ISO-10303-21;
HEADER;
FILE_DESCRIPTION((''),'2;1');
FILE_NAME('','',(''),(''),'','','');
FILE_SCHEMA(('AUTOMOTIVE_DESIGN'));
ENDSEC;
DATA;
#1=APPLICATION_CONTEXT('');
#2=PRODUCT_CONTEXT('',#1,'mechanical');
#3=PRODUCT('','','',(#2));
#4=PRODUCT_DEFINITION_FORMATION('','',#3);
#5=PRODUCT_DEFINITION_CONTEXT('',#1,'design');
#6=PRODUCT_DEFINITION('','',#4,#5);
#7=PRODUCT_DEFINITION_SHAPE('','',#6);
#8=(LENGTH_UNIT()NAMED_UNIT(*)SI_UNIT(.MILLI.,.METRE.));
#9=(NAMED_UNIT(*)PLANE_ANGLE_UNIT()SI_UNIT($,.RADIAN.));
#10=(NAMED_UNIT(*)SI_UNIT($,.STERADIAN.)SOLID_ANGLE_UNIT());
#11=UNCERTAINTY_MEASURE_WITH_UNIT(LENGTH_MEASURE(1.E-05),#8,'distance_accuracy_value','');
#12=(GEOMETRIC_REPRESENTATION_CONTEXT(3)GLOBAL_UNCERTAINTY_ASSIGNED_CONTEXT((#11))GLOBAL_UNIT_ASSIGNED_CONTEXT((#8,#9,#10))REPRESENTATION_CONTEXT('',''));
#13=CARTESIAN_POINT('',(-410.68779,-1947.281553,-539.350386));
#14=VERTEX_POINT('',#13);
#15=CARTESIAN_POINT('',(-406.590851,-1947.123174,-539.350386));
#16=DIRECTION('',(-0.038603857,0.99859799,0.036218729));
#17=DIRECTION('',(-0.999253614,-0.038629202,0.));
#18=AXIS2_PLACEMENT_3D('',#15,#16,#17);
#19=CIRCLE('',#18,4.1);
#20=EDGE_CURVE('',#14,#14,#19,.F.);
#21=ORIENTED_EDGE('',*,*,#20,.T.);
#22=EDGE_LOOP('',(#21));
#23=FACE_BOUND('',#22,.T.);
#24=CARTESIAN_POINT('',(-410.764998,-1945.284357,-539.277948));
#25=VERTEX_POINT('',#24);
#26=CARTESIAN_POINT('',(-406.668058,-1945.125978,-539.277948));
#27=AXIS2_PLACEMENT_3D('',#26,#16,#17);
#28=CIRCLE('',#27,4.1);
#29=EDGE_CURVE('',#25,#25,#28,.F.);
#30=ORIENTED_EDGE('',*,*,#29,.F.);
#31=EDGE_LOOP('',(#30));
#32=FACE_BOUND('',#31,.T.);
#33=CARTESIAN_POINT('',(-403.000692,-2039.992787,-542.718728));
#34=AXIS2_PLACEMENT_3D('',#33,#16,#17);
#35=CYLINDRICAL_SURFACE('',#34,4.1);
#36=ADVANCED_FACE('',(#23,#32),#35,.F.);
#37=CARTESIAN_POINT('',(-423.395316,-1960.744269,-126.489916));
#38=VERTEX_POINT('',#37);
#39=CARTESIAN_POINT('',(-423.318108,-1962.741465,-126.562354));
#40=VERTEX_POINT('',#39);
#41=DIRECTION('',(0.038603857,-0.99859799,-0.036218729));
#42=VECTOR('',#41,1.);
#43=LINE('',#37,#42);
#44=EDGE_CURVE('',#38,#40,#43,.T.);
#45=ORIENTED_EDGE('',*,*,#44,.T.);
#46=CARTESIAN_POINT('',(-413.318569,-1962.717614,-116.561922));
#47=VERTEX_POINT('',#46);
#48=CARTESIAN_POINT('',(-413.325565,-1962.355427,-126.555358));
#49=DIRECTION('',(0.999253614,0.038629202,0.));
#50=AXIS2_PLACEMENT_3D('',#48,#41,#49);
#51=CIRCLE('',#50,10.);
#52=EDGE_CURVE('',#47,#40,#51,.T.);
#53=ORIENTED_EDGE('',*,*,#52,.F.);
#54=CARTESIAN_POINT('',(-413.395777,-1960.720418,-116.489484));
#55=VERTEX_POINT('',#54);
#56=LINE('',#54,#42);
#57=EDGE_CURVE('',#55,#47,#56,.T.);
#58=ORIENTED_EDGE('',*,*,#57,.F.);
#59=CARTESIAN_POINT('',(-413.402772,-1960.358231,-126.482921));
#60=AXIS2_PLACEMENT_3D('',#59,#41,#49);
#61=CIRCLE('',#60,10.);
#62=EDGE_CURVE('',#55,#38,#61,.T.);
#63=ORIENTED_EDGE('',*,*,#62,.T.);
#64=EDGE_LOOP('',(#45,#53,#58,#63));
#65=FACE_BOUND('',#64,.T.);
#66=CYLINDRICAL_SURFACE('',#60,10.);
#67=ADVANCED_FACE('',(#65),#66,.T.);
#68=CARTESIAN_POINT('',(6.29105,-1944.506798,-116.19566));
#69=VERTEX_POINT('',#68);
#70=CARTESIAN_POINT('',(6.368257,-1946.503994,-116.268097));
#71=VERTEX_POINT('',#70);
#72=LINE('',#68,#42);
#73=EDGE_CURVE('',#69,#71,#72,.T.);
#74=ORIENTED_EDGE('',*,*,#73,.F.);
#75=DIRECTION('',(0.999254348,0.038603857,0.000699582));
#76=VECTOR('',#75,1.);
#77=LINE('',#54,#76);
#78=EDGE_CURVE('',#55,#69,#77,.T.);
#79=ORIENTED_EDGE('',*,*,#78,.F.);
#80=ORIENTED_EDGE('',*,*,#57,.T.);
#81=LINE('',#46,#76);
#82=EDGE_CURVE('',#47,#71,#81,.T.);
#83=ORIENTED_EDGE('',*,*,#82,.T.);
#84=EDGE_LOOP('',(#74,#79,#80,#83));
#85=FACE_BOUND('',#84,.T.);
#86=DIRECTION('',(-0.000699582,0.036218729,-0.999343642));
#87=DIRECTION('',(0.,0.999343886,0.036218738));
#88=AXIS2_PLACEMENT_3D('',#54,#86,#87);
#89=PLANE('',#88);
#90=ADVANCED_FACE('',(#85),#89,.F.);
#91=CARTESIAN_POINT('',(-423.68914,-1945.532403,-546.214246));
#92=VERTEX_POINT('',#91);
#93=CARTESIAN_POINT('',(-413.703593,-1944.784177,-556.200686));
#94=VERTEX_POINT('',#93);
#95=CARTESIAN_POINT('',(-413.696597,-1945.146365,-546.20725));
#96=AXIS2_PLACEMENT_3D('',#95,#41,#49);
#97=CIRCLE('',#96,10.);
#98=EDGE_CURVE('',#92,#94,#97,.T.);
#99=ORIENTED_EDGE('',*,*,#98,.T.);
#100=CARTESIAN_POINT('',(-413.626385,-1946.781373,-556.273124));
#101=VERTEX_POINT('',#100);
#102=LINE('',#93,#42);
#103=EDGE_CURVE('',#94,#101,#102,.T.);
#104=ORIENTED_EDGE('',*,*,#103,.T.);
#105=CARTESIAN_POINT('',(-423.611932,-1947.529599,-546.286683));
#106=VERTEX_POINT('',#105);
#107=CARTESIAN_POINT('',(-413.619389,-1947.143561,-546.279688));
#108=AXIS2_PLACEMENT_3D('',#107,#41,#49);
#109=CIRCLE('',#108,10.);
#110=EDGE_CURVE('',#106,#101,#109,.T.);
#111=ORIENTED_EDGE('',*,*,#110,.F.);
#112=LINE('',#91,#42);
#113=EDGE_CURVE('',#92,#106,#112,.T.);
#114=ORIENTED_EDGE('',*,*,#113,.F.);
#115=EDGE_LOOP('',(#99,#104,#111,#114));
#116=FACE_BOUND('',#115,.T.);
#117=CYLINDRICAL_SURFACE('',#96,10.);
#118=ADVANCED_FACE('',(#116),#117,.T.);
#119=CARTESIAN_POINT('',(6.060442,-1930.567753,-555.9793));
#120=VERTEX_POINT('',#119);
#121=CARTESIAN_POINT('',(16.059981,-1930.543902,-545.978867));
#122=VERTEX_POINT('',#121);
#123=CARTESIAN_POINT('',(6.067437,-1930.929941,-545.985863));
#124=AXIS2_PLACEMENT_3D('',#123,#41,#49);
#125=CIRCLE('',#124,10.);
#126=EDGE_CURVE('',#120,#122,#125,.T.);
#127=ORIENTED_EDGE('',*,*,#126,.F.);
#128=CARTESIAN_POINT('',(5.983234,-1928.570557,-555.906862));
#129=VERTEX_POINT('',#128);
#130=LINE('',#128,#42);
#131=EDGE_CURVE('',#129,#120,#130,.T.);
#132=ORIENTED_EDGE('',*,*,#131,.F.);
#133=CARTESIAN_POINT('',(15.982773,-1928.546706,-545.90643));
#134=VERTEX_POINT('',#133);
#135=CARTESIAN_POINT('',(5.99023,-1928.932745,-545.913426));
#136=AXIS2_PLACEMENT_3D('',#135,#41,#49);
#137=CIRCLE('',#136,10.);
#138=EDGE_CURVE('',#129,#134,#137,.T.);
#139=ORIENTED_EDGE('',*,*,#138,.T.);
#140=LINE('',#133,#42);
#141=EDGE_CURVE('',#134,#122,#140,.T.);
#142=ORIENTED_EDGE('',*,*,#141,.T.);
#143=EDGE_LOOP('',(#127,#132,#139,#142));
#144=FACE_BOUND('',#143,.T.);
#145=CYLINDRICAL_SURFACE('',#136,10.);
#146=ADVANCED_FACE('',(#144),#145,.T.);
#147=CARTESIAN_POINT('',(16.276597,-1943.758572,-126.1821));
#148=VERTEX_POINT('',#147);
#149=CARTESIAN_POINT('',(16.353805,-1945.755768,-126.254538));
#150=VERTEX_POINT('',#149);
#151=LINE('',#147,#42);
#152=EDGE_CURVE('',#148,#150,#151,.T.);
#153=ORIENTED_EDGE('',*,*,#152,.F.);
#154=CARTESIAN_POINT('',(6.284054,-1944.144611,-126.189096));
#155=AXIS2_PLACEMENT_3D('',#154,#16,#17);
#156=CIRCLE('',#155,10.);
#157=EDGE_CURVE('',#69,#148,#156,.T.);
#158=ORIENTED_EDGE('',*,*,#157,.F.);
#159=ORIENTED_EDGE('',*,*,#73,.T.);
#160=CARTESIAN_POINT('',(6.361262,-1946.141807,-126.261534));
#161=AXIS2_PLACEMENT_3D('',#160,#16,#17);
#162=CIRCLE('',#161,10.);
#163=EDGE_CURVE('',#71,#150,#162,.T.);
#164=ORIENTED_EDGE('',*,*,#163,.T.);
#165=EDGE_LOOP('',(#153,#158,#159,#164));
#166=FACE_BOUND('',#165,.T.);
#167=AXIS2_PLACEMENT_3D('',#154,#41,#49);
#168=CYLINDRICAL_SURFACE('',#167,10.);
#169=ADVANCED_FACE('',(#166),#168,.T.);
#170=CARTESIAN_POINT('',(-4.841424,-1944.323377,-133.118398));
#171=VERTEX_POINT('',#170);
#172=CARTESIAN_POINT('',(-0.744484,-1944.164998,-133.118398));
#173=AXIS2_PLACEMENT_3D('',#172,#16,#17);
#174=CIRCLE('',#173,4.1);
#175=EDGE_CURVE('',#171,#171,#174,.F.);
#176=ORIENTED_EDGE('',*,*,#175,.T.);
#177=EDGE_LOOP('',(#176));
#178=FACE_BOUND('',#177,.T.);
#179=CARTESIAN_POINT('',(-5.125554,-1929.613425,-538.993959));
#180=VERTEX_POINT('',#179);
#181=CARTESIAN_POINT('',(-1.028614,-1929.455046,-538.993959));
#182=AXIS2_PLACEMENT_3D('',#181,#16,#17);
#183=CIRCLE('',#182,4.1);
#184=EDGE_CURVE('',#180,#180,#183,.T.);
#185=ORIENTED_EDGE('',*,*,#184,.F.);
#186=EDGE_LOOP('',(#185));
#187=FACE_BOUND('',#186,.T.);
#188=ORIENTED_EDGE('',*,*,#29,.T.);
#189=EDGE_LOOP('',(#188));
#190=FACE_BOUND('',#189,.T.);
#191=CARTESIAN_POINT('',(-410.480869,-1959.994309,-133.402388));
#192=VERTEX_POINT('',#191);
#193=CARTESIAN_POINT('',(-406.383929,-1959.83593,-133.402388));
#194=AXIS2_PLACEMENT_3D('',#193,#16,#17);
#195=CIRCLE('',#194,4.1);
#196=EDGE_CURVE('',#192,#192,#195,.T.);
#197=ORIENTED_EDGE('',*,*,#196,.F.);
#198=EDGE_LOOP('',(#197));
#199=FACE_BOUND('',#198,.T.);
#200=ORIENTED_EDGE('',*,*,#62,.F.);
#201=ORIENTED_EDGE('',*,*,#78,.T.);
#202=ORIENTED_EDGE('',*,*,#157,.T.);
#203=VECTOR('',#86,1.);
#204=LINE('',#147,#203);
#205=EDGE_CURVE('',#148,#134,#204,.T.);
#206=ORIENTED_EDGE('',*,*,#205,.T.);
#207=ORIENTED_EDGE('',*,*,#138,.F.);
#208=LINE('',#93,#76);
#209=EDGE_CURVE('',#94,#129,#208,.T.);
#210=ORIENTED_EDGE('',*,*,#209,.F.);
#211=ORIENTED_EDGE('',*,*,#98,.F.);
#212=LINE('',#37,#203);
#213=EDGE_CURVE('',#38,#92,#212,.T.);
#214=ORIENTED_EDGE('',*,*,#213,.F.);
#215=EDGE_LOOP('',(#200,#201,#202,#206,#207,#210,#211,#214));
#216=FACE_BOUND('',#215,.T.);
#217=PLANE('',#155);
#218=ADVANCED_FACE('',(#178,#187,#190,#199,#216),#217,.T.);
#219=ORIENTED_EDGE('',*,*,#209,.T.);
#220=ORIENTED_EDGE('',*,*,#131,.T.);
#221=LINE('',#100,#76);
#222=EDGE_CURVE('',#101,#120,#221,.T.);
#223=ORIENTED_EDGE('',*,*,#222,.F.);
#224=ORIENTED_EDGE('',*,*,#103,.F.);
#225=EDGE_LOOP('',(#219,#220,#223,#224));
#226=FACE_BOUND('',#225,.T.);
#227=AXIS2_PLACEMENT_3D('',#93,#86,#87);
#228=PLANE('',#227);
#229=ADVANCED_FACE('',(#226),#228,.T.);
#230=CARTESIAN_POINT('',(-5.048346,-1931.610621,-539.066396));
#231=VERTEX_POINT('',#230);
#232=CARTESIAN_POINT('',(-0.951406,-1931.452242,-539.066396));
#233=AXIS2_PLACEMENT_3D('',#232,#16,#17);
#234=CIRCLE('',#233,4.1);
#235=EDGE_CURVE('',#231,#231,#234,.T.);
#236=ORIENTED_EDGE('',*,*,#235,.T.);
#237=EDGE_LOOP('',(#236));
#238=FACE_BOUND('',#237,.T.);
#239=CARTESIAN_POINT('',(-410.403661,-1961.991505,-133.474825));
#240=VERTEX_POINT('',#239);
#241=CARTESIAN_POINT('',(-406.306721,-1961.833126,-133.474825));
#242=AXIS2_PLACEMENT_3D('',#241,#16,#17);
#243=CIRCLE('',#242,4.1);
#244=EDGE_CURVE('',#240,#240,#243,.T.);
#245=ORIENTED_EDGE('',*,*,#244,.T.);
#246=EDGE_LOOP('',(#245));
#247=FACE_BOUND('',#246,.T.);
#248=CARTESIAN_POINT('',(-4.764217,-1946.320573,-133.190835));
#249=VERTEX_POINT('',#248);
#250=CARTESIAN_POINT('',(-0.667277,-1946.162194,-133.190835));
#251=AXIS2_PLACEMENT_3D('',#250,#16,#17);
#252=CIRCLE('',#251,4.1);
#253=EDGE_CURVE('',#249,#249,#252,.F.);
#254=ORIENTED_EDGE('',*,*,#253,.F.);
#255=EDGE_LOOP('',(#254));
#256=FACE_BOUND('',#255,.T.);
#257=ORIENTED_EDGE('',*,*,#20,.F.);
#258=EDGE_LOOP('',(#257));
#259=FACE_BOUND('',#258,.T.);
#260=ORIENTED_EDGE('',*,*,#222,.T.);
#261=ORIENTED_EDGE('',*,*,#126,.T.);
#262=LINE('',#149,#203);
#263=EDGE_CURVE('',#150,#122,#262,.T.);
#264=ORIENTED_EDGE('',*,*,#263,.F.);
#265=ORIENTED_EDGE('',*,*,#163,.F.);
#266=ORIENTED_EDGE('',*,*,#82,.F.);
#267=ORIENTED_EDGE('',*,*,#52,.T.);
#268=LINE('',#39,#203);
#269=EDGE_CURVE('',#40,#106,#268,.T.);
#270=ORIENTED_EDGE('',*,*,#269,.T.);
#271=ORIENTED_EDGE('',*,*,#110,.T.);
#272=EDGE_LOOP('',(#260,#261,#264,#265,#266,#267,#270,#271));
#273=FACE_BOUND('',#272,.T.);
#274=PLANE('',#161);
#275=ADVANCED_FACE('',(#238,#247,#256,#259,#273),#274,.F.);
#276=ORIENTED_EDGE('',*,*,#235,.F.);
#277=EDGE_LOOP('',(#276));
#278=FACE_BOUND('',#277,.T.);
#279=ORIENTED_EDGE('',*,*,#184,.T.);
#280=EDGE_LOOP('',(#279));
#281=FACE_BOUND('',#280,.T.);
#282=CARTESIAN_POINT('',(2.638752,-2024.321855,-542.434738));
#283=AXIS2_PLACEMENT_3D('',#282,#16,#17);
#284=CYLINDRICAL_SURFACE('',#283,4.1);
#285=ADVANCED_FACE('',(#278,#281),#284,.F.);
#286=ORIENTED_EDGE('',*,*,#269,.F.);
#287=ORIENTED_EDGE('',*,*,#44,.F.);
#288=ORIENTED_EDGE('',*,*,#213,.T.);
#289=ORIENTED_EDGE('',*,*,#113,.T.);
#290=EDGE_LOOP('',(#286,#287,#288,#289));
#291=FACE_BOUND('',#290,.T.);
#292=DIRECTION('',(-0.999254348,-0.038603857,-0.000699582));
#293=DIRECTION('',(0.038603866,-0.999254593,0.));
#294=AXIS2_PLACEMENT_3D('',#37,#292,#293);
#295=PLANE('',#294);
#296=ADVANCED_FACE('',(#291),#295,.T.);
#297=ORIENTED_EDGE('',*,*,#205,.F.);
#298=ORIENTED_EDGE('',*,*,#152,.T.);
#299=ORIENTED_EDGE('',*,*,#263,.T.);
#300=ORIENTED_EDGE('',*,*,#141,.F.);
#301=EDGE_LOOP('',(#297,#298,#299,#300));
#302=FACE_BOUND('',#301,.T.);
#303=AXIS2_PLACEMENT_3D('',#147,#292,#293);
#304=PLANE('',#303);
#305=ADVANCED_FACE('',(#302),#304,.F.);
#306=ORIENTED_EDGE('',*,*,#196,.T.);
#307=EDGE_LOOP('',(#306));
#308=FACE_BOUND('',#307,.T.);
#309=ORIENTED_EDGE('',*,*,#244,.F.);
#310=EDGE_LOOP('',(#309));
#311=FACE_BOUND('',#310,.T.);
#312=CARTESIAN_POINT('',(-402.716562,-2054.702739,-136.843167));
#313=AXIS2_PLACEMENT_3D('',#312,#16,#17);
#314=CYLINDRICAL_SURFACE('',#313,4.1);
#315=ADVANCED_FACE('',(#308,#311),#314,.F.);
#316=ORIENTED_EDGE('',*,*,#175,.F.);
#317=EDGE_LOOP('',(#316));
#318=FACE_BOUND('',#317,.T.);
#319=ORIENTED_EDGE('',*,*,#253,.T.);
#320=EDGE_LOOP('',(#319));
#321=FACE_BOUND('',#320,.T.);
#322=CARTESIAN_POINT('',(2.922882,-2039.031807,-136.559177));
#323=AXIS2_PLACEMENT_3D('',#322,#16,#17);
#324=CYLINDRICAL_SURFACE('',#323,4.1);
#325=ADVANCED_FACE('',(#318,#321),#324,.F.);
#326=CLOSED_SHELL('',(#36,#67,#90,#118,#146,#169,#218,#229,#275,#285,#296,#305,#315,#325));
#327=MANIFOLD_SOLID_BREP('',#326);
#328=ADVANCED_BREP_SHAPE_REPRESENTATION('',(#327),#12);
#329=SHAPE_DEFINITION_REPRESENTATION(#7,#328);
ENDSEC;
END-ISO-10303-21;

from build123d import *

# Parameters (mm, degrees)
BOSS_EXTRUDE1_DEPTH     = 2
SKETCH3_R               = 4.1
CUT_EXTRUDE1_DEPTH      = 150
MIRROR2_COPY_1_SKETCH_R = 4.1
MIRROR2_COPY_1_DEPTH    = 150


with BuildPart() as part:
    # Sketch2 → Boss-Extrude1 (new body)
    with BuildSketch(Plane(origin=(75.209264803, -1945.500458031, -70.562482719), x_dir=(0.9992543484228519, 0.038603856587709914, 0.0006995817159617483), z_dir=(-0.03860385658770992, 0.998597990155389, 0.03621872877633121))):
        with BuildLine():
            Line((-488.860391094, 45.687428375), (-68.860391094, 45.687428375))
            ThreePointArc((-68.860391094, 45.687428375), (-61.789323282, 48.616360563), (-58.860391094, 55.687428375))
            Line((-58.860391094, 55.687428375), (-58.860391094, 475.687428375))
            ThreePointArc((-58.860391094, 475.687428375), (-61.789323282, 482.758496187), (-68.860391094, 485.687428375))
            Line((-68.860391094, 485.687428375), (-488.860391094, 485.687428375))
            ThreePointArc((-488.860391094, 485.687428375), (-495.931458906, 482.758496187), (-498.860391094, 475.687428375))
            Line((-498.860391094, 475.687428375), (-498.860391094, 55.687428375))
            ThreePointArc((-498.860391094, 55.687428375), (-495.931458906, 48.616360563), (-488.860391094, 45.687428375))
        make_face()
    extrude(amount=BOSS_EXTRUDE1_DEPTH)

    # Sketch3 → Cut-Extrude1 (cut)
    with BuildSketch(Plane(origin=(-103.287183068, -1885.761116085, -334.134352796), x_dir=(-0.0006995817159619569, 0.036218728776338416, -0.9993436417325368), z_dir=(0.038603856587716694, -0.9985979901553884, -0.036218728776338416))):
        with Locations(Location((-203.071067812, 100.352249502, 0), (0, 0, 269.959890601))):
            Circle(SKETCH3_R)
    cut_extrude1 = extrude(amount=CUT_EXTRUDE1_DEPTH, mode=Mode.SUBTRACT)

    # Mirror1: Cut-Extrude1 across plane
    add(cut_extrude1.mirror(Plane(origin=(-278.652458404, -10.765086546, -0.195085631), x_dir=(-0.000699060242817171, -2.700655884307846e-05, 0.9999997552926815), z_dir=(-0.9992543484228519, -0.03860385658770997, -0.0006995817159618643))), mode=Mode.SUBTRACT)

    # Mirror2: Cut-Extrude1 across plane
    add(cut_extrude1.mirror(Plane(origin=(-0.185870067, 9.622860908, -265.513042235), x_dir=(0.9999997552926815, 2.5337966627687505e-05, -0.0006991227107992283), z_dir=(0.0006995817159618217, -0.036218728776331255, 0.9993436417325371))), mode=Mode.SUBTRACT)

    # Mirror2 copy 1 sketch → Mirror2 copy 1 (cut)
    with BuildSketch(Plane(origin=(-308.371783919, -1893.684080376, -334.277933294), x_dir=(0.0006995817159616872, -0.0362187287763241, 0.9993436417325376), z_dir=(0.03860385658770326, -0.9985979901553895, -0.0362187287763241))):
        with Locations(Location((-203.071067812, 100.352249502, 0), (0, 0, 269.959890601))):
            Circle(MIRROR2_COPY_1_SKETCH_R)
    extrude(amount=MIRROR2_COPY_1_DEPTH, mode=Mode.SUBTRACT)


solid = part.part
